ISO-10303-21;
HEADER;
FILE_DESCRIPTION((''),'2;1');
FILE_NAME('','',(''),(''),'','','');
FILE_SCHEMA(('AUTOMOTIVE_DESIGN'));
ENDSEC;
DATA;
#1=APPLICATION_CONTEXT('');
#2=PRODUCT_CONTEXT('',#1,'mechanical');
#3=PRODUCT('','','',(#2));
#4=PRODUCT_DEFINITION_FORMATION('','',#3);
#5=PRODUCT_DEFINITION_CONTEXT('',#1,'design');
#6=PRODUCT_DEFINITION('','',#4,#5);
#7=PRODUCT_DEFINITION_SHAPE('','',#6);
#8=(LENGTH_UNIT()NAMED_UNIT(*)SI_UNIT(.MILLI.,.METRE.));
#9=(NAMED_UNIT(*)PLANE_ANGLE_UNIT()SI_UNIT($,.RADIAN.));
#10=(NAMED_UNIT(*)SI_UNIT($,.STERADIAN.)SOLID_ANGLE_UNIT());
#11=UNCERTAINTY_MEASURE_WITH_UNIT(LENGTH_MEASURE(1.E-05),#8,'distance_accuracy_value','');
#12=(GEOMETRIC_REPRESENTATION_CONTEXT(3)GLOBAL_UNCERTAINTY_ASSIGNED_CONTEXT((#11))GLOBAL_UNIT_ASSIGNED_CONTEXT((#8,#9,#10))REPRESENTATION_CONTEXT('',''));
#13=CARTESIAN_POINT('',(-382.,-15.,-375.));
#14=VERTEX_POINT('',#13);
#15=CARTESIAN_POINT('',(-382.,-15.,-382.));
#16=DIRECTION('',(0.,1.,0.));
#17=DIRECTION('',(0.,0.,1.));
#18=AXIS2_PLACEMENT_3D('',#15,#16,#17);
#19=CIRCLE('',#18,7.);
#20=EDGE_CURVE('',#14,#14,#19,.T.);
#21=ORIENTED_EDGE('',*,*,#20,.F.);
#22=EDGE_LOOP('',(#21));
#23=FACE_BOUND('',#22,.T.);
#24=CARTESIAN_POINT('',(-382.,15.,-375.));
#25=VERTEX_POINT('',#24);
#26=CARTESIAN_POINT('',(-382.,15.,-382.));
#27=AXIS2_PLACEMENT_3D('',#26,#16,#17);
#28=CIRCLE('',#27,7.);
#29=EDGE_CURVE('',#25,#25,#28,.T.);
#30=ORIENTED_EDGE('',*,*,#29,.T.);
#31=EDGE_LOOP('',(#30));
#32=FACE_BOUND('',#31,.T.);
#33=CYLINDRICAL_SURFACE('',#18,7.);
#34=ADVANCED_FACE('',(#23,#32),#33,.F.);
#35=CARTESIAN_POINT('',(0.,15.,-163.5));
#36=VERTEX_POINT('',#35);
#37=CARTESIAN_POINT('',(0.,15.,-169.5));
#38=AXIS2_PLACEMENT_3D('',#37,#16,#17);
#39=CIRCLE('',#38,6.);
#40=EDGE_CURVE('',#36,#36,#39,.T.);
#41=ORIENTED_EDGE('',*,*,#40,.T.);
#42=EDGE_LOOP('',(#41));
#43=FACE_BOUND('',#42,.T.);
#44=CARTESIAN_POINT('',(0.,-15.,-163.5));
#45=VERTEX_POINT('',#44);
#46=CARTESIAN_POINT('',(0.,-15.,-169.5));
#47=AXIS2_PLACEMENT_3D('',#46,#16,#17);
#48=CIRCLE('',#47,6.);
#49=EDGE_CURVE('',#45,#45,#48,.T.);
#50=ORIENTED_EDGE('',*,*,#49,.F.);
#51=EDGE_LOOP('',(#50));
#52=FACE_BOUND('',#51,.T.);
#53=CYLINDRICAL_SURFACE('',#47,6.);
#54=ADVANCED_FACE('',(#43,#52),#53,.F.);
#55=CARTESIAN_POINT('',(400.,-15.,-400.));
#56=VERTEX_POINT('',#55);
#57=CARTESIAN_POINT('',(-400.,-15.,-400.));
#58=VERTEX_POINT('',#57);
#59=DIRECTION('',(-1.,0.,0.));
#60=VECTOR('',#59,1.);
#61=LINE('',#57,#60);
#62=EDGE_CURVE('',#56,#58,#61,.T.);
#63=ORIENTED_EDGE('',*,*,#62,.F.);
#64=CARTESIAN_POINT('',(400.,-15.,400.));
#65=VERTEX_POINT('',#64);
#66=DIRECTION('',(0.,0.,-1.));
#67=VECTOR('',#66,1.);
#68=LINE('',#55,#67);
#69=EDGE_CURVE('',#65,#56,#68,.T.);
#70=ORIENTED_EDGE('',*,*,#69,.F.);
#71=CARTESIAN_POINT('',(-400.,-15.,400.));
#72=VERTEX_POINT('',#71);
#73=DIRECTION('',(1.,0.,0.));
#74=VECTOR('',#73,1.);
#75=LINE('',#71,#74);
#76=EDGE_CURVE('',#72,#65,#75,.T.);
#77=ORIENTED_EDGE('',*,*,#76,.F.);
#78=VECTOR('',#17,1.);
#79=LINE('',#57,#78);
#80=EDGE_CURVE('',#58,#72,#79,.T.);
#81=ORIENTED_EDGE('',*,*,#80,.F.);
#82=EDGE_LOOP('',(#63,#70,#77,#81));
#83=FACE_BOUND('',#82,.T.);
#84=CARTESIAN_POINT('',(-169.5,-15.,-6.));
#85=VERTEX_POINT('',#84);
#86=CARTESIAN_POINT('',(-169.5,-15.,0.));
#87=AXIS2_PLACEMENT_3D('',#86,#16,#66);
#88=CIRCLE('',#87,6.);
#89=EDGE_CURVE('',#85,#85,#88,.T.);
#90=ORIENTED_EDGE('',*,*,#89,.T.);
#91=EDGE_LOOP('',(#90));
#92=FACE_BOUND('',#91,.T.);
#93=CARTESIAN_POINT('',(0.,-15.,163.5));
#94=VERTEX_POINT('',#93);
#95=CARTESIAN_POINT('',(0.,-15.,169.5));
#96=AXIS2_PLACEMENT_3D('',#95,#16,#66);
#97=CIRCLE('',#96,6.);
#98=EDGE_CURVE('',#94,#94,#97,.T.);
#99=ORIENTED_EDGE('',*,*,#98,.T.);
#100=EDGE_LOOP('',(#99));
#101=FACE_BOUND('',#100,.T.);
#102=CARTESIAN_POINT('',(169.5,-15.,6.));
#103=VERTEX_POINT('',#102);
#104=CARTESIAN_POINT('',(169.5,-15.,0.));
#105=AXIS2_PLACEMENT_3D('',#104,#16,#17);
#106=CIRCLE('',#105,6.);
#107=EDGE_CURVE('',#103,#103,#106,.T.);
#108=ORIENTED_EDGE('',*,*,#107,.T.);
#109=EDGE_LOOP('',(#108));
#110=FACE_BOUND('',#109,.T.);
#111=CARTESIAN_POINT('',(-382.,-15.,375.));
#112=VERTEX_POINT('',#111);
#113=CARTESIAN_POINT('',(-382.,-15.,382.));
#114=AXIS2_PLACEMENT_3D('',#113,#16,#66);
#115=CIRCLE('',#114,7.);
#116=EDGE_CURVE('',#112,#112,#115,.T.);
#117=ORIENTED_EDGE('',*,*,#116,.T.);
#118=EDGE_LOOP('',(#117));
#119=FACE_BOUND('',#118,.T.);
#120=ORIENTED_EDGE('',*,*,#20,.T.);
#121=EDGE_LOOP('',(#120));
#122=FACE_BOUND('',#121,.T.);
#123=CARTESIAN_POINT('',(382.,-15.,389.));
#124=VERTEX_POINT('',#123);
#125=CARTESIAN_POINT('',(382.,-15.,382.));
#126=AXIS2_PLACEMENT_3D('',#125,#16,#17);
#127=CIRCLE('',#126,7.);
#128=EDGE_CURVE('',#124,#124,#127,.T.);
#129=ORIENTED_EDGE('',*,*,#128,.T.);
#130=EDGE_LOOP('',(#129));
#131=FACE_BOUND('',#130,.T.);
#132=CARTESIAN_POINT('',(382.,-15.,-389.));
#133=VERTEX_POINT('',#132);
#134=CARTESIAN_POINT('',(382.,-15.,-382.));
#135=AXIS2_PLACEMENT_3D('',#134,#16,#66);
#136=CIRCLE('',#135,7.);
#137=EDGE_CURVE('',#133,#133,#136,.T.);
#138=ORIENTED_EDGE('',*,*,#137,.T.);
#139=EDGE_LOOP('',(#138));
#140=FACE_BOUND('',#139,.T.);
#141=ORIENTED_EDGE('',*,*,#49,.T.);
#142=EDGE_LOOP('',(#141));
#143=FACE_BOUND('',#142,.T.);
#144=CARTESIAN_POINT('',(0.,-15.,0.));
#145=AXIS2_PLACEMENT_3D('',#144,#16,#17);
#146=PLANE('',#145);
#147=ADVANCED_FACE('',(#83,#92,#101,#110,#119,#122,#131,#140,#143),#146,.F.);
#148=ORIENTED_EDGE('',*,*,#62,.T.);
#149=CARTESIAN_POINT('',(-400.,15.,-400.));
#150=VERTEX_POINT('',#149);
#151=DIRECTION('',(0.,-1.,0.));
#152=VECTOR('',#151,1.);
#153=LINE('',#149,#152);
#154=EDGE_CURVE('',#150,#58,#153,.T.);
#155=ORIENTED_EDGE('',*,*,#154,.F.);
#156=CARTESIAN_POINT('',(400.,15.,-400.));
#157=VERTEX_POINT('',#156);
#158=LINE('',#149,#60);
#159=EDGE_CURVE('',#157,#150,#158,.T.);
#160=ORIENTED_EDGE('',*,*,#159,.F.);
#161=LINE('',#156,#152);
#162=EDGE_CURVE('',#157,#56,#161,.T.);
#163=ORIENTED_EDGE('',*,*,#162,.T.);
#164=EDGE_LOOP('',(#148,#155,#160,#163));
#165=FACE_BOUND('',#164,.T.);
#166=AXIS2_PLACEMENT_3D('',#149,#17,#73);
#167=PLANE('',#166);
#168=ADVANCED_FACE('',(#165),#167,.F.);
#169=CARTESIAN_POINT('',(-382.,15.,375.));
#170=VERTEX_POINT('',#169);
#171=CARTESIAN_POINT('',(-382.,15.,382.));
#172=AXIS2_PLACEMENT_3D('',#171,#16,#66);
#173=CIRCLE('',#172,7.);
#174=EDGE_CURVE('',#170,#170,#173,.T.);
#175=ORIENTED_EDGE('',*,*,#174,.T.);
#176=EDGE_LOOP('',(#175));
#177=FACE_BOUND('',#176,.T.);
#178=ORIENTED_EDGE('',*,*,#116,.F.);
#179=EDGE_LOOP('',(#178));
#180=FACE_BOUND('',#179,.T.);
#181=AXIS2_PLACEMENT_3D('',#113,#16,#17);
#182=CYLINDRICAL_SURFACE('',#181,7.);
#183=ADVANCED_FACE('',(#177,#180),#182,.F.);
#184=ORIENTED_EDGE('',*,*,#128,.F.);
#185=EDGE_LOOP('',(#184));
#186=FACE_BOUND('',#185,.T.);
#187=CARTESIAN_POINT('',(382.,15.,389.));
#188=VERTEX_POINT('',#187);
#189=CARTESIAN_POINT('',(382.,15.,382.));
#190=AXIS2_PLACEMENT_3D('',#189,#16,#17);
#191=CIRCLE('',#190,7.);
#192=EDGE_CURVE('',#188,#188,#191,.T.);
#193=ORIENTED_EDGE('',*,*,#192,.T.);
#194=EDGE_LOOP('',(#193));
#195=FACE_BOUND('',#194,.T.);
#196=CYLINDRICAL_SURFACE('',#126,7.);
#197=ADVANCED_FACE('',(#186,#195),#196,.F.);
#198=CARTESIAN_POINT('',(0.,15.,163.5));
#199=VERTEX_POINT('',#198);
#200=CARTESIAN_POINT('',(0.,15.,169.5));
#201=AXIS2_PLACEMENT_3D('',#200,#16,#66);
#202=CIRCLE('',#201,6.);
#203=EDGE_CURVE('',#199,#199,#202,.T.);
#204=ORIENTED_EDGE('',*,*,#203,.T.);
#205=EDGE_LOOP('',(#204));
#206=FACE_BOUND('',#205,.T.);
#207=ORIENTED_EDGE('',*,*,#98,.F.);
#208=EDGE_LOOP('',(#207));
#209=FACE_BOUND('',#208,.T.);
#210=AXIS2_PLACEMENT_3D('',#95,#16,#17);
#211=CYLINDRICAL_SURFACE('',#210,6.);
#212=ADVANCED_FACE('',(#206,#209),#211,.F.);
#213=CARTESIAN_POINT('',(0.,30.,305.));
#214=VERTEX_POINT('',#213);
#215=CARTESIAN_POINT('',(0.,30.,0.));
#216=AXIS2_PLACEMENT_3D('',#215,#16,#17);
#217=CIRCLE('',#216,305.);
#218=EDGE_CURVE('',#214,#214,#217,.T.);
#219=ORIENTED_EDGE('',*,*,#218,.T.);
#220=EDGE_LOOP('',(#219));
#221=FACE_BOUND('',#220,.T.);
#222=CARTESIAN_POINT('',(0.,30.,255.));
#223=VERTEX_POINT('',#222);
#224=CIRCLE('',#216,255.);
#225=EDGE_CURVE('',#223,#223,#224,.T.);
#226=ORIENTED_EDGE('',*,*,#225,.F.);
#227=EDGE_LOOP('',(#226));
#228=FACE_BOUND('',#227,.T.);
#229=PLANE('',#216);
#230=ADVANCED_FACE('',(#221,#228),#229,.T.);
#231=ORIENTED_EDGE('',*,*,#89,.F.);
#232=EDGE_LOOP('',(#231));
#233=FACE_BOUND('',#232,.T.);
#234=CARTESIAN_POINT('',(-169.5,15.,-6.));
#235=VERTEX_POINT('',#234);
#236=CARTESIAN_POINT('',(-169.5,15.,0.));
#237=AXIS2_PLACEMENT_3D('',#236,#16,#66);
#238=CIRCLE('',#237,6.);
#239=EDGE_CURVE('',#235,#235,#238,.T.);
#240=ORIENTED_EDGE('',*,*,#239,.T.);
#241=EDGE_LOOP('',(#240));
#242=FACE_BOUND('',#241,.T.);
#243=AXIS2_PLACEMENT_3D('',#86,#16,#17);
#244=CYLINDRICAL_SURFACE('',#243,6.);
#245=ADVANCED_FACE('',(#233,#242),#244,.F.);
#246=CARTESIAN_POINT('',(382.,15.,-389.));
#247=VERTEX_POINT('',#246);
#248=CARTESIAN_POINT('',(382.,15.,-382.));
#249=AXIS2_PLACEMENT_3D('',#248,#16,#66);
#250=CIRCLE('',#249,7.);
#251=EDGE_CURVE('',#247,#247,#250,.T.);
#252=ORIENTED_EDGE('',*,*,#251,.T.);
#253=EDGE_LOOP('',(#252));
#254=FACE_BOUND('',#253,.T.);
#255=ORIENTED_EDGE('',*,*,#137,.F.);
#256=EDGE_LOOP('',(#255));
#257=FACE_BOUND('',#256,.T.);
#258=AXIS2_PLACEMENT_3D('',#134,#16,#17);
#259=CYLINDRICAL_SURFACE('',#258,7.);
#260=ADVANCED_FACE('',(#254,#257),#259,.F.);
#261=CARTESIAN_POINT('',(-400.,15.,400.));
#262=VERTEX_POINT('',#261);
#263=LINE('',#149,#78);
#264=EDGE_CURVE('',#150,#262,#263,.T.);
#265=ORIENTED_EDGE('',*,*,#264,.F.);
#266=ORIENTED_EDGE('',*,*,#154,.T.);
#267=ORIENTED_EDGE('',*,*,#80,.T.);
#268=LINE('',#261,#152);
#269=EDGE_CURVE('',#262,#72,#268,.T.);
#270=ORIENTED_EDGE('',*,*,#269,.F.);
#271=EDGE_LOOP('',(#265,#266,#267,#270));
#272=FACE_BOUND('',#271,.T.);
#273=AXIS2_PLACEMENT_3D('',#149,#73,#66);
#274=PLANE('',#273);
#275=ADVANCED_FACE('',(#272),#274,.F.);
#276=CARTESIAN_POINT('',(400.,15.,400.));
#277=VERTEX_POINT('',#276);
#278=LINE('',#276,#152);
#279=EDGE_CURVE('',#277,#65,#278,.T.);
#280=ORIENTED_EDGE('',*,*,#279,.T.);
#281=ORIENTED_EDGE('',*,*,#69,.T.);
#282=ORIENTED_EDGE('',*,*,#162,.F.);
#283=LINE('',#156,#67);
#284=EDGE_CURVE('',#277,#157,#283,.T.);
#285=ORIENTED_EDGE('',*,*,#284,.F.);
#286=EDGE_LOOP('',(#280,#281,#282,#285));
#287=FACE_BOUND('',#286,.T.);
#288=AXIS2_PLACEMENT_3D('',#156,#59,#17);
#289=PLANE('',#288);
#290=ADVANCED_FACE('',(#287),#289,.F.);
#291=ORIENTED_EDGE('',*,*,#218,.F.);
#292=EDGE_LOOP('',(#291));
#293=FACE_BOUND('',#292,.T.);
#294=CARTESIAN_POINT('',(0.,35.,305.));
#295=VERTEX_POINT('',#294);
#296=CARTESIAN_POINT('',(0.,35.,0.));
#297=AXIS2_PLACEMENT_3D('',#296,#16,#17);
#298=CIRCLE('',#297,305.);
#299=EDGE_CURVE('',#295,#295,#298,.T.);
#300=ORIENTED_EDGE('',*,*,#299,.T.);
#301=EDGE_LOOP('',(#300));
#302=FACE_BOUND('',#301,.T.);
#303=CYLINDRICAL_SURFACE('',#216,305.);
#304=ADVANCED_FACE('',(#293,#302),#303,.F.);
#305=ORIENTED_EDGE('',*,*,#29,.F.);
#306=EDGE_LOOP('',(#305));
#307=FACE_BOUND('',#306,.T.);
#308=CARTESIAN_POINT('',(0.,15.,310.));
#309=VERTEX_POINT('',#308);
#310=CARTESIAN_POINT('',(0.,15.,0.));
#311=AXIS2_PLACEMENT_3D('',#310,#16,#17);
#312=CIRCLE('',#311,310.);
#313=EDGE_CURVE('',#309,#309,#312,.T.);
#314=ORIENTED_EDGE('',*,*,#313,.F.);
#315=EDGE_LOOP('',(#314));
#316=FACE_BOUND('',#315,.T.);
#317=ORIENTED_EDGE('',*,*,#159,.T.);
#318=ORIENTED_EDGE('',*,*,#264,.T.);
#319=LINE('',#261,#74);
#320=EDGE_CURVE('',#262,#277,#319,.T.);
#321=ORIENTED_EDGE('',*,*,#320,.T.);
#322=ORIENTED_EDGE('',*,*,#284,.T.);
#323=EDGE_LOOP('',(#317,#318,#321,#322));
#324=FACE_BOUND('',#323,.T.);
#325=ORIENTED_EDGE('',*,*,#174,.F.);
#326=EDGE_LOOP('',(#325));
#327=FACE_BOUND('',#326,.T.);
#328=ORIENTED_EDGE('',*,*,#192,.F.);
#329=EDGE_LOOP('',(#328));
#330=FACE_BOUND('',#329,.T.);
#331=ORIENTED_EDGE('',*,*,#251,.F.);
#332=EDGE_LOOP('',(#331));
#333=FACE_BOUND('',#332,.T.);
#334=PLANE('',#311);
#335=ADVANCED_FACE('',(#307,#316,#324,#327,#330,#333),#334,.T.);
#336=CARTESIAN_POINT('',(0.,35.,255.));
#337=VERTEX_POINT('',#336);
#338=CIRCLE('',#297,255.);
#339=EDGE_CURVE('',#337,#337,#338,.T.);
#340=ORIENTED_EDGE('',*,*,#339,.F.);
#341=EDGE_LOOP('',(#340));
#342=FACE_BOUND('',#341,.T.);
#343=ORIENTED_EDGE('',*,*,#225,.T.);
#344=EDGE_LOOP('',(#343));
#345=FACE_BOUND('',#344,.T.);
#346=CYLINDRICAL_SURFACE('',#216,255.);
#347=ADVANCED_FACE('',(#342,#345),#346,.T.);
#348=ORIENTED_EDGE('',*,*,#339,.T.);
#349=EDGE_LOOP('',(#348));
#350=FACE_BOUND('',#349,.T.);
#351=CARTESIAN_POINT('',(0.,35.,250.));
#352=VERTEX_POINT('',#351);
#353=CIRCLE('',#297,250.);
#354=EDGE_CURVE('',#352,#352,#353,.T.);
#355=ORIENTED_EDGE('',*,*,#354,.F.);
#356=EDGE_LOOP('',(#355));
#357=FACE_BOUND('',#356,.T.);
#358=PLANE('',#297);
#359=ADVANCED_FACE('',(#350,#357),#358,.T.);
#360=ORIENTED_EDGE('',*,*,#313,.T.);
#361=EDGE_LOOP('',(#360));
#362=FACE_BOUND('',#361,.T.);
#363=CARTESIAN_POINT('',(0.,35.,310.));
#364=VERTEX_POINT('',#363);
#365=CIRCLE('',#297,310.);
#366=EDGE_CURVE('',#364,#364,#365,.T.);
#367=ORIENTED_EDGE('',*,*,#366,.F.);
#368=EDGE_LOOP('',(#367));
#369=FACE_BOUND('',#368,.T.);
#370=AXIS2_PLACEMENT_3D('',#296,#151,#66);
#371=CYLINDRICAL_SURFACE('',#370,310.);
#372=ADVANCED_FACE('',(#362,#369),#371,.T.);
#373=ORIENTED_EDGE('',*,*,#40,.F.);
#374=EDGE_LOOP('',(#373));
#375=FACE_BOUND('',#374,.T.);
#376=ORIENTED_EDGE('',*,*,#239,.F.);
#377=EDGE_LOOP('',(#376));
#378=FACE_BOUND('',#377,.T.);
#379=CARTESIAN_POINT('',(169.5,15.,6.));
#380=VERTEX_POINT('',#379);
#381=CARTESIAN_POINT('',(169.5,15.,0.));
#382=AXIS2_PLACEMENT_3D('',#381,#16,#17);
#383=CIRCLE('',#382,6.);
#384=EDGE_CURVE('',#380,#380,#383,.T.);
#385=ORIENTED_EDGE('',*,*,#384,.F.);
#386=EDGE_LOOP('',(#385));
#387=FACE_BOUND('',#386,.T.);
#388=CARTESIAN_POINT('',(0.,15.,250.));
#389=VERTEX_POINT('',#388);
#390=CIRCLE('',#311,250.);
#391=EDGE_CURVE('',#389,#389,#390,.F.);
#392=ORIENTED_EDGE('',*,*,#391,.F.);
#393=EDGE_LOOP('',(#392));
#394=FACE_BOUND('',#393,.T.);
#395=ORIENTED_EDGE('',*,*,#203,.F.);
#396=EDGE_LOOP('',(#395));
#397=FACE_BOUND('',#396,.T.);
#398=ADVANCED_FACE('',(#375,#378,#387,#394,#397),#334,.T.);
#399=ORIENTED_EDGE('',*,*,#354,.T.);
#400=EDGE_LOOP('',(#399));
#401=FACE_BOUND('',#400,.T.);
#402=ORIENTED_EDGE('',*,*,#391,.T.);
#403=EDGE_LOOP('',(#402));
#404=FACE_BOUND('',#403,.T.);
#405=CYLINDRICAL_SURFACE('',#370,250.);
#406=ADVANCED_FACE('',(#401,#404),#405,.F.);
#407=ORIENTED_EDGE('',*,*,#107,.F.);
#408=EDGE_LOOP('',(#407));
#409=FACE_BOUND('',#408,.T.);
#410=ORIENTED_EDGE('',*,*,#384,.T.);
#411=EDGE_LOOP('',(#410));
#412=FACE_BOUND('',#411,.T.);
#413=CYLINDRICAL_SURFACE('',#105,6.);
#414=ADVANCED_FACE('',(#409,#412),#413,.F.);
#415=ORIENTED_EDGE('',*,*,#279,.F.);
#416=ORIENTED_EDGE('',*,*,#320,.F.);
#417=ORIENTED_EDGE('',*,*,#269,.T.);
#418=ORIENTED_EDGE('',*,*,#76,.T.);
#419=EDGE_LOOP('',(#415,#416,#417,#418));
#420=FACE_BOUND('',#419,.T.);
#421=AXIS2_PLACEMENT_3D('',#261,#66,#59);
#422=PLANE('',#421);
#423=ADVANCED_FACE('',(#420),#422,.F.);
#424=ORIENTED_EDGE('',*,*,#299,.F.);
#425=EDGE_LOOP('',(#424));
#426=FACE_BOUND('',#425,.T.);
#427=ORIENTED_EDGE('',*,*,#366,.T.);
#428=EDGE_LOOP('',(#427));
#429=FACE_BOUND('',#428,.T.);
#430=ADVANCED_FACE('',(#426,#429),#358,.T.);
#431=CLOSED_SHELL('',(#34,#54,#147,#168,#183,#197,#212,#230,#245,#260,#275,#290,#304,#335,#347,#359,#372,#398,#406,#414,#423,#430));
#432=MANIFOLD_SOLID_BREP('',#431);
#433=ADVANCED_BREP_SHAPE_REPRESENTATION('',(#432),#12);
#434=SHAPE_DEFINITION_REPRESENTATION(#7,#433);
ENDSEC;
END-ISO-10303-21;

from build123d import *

# Parameters (mm, degrees)
SKETCH1_W           = 800
SKETCH1_H           = 800
BOSS_EXTRUDE1_DEPTH = 15
SKETCH4_R           = 6
CUT_EXTRUDE3_DEPTH  = 567.480361531
SKETCH3_R           = 310
SKETCH3_R_2         = 250
BOSS_EXTRUDE2_DEPTH = 20
SKETCH5_R           = 305
SKETCH5_R_2         = 255
CUT_EXTRUDE4_DEPTH  = 5
SKETCH6_R           = 7
CUT_EXTRUDE5_DEPTH  = 567.480361531


with BuildPart() as part:
    # Sketch1 → Boss-Extrude1 (new, symmetric)
    with BuildSketch(Plane(origin=(0, 0, 0), x_dir=(1, 0, 0), z_dir=(0, 1, 0))):
        Rectangle(SKETCH1_W, SKETCH1_H)
    extrude(amount=BOSS_EXTRUDE1_DEPTH, both=True)

    # Sketch4 → Cut-Extrude3 (cut, through all)
    with BuildSketch(Plane(origin=(0, 15, 0), x_dir=(1, 0, 0), z_dir=(0, 1, 0))):
        with Locations(Location((0, 169.5, 0), (0, 0, 270))):
            Circle(SKETCH4_R)
        with Locations(Location((169.5, 0, 0), (0, 0, 270))):
            Circle(SKETCH4_R)
        with Locations(Location((0, -169.5, 0), (0, 0, 90))):
            Circle(SKETCH4_R)
        with Locations(Location((-169.5, 0, 0), (0, 0, 90))):
            Circle(SKETCH4_R)
    extrude(amount=-CUT_EXTRUDE3_DEPTH, mode=Mode.SUBTRACT)

    # Sketch3 → Boss-Extrude2 (add)
    with BuildSketch(Plane(origin=(0, 15, 0), x_dir=(1, 0, 0), z_dir=(0, 1, 0))):
        with Locations(Location((0, 0, 0), (0, 0, 270))):
            Circle(SKETCH3_R)
        with Locations(Location((0, 0, 0), (0, 0, 270))):
            Circle(SKETCH3_R_2, mode=Mode.SUBTRACT)
    extrude(amount=BOSS_EXTRUDE2_DEPTH)

    # Sketch5 → Cut-Extrude4 (cut)
    with BuildSketch(Plane(origin=(0, 35, 0), x_dir=(1, 0, 0), z_dir=(0, 1, 0))):
        with Locations(Location((0, 0, 0), (0, 0, 270))):
            Circle(SKETCH5_R)
        with Locations(Location((0, 0, 0), (0, 0, 270))):
            Circle(SKETCH5_R_2, mode=Mode.SUBTRACT)
    extrude(amount=-CUT_EXTRUDE4_DEPTH, mode=Mode.SUBTRACT)

    # Sketch6 → Cut-Extrude5 (cut, through all)
    with BuildSketch(Plane(origin=(0, 15, 0), x_dir=(1, 0, 0), z_dir=(0, 1, 0))):
        with Locations(Location((-382, 382, 0), (0, 0, 270))):
            Circle(SKETCH6_R)
        with Locations(Location((382, 382, 0), (0, 0, 90))):
            Circle(SKETCH6_R)
        with Locations(Location((382, -382, 0), (0, 0, 270))):
            Circle(SKETCH6_R)
        with Locations(Location((-382, -382, 0), (0, 0, 90))):
            Circle(SKETCH6_R)
    extrude(amount=-CUT_EXTRUDE5_DEPTH, mode=Mode.SUBTRACT)


solid = part.part
